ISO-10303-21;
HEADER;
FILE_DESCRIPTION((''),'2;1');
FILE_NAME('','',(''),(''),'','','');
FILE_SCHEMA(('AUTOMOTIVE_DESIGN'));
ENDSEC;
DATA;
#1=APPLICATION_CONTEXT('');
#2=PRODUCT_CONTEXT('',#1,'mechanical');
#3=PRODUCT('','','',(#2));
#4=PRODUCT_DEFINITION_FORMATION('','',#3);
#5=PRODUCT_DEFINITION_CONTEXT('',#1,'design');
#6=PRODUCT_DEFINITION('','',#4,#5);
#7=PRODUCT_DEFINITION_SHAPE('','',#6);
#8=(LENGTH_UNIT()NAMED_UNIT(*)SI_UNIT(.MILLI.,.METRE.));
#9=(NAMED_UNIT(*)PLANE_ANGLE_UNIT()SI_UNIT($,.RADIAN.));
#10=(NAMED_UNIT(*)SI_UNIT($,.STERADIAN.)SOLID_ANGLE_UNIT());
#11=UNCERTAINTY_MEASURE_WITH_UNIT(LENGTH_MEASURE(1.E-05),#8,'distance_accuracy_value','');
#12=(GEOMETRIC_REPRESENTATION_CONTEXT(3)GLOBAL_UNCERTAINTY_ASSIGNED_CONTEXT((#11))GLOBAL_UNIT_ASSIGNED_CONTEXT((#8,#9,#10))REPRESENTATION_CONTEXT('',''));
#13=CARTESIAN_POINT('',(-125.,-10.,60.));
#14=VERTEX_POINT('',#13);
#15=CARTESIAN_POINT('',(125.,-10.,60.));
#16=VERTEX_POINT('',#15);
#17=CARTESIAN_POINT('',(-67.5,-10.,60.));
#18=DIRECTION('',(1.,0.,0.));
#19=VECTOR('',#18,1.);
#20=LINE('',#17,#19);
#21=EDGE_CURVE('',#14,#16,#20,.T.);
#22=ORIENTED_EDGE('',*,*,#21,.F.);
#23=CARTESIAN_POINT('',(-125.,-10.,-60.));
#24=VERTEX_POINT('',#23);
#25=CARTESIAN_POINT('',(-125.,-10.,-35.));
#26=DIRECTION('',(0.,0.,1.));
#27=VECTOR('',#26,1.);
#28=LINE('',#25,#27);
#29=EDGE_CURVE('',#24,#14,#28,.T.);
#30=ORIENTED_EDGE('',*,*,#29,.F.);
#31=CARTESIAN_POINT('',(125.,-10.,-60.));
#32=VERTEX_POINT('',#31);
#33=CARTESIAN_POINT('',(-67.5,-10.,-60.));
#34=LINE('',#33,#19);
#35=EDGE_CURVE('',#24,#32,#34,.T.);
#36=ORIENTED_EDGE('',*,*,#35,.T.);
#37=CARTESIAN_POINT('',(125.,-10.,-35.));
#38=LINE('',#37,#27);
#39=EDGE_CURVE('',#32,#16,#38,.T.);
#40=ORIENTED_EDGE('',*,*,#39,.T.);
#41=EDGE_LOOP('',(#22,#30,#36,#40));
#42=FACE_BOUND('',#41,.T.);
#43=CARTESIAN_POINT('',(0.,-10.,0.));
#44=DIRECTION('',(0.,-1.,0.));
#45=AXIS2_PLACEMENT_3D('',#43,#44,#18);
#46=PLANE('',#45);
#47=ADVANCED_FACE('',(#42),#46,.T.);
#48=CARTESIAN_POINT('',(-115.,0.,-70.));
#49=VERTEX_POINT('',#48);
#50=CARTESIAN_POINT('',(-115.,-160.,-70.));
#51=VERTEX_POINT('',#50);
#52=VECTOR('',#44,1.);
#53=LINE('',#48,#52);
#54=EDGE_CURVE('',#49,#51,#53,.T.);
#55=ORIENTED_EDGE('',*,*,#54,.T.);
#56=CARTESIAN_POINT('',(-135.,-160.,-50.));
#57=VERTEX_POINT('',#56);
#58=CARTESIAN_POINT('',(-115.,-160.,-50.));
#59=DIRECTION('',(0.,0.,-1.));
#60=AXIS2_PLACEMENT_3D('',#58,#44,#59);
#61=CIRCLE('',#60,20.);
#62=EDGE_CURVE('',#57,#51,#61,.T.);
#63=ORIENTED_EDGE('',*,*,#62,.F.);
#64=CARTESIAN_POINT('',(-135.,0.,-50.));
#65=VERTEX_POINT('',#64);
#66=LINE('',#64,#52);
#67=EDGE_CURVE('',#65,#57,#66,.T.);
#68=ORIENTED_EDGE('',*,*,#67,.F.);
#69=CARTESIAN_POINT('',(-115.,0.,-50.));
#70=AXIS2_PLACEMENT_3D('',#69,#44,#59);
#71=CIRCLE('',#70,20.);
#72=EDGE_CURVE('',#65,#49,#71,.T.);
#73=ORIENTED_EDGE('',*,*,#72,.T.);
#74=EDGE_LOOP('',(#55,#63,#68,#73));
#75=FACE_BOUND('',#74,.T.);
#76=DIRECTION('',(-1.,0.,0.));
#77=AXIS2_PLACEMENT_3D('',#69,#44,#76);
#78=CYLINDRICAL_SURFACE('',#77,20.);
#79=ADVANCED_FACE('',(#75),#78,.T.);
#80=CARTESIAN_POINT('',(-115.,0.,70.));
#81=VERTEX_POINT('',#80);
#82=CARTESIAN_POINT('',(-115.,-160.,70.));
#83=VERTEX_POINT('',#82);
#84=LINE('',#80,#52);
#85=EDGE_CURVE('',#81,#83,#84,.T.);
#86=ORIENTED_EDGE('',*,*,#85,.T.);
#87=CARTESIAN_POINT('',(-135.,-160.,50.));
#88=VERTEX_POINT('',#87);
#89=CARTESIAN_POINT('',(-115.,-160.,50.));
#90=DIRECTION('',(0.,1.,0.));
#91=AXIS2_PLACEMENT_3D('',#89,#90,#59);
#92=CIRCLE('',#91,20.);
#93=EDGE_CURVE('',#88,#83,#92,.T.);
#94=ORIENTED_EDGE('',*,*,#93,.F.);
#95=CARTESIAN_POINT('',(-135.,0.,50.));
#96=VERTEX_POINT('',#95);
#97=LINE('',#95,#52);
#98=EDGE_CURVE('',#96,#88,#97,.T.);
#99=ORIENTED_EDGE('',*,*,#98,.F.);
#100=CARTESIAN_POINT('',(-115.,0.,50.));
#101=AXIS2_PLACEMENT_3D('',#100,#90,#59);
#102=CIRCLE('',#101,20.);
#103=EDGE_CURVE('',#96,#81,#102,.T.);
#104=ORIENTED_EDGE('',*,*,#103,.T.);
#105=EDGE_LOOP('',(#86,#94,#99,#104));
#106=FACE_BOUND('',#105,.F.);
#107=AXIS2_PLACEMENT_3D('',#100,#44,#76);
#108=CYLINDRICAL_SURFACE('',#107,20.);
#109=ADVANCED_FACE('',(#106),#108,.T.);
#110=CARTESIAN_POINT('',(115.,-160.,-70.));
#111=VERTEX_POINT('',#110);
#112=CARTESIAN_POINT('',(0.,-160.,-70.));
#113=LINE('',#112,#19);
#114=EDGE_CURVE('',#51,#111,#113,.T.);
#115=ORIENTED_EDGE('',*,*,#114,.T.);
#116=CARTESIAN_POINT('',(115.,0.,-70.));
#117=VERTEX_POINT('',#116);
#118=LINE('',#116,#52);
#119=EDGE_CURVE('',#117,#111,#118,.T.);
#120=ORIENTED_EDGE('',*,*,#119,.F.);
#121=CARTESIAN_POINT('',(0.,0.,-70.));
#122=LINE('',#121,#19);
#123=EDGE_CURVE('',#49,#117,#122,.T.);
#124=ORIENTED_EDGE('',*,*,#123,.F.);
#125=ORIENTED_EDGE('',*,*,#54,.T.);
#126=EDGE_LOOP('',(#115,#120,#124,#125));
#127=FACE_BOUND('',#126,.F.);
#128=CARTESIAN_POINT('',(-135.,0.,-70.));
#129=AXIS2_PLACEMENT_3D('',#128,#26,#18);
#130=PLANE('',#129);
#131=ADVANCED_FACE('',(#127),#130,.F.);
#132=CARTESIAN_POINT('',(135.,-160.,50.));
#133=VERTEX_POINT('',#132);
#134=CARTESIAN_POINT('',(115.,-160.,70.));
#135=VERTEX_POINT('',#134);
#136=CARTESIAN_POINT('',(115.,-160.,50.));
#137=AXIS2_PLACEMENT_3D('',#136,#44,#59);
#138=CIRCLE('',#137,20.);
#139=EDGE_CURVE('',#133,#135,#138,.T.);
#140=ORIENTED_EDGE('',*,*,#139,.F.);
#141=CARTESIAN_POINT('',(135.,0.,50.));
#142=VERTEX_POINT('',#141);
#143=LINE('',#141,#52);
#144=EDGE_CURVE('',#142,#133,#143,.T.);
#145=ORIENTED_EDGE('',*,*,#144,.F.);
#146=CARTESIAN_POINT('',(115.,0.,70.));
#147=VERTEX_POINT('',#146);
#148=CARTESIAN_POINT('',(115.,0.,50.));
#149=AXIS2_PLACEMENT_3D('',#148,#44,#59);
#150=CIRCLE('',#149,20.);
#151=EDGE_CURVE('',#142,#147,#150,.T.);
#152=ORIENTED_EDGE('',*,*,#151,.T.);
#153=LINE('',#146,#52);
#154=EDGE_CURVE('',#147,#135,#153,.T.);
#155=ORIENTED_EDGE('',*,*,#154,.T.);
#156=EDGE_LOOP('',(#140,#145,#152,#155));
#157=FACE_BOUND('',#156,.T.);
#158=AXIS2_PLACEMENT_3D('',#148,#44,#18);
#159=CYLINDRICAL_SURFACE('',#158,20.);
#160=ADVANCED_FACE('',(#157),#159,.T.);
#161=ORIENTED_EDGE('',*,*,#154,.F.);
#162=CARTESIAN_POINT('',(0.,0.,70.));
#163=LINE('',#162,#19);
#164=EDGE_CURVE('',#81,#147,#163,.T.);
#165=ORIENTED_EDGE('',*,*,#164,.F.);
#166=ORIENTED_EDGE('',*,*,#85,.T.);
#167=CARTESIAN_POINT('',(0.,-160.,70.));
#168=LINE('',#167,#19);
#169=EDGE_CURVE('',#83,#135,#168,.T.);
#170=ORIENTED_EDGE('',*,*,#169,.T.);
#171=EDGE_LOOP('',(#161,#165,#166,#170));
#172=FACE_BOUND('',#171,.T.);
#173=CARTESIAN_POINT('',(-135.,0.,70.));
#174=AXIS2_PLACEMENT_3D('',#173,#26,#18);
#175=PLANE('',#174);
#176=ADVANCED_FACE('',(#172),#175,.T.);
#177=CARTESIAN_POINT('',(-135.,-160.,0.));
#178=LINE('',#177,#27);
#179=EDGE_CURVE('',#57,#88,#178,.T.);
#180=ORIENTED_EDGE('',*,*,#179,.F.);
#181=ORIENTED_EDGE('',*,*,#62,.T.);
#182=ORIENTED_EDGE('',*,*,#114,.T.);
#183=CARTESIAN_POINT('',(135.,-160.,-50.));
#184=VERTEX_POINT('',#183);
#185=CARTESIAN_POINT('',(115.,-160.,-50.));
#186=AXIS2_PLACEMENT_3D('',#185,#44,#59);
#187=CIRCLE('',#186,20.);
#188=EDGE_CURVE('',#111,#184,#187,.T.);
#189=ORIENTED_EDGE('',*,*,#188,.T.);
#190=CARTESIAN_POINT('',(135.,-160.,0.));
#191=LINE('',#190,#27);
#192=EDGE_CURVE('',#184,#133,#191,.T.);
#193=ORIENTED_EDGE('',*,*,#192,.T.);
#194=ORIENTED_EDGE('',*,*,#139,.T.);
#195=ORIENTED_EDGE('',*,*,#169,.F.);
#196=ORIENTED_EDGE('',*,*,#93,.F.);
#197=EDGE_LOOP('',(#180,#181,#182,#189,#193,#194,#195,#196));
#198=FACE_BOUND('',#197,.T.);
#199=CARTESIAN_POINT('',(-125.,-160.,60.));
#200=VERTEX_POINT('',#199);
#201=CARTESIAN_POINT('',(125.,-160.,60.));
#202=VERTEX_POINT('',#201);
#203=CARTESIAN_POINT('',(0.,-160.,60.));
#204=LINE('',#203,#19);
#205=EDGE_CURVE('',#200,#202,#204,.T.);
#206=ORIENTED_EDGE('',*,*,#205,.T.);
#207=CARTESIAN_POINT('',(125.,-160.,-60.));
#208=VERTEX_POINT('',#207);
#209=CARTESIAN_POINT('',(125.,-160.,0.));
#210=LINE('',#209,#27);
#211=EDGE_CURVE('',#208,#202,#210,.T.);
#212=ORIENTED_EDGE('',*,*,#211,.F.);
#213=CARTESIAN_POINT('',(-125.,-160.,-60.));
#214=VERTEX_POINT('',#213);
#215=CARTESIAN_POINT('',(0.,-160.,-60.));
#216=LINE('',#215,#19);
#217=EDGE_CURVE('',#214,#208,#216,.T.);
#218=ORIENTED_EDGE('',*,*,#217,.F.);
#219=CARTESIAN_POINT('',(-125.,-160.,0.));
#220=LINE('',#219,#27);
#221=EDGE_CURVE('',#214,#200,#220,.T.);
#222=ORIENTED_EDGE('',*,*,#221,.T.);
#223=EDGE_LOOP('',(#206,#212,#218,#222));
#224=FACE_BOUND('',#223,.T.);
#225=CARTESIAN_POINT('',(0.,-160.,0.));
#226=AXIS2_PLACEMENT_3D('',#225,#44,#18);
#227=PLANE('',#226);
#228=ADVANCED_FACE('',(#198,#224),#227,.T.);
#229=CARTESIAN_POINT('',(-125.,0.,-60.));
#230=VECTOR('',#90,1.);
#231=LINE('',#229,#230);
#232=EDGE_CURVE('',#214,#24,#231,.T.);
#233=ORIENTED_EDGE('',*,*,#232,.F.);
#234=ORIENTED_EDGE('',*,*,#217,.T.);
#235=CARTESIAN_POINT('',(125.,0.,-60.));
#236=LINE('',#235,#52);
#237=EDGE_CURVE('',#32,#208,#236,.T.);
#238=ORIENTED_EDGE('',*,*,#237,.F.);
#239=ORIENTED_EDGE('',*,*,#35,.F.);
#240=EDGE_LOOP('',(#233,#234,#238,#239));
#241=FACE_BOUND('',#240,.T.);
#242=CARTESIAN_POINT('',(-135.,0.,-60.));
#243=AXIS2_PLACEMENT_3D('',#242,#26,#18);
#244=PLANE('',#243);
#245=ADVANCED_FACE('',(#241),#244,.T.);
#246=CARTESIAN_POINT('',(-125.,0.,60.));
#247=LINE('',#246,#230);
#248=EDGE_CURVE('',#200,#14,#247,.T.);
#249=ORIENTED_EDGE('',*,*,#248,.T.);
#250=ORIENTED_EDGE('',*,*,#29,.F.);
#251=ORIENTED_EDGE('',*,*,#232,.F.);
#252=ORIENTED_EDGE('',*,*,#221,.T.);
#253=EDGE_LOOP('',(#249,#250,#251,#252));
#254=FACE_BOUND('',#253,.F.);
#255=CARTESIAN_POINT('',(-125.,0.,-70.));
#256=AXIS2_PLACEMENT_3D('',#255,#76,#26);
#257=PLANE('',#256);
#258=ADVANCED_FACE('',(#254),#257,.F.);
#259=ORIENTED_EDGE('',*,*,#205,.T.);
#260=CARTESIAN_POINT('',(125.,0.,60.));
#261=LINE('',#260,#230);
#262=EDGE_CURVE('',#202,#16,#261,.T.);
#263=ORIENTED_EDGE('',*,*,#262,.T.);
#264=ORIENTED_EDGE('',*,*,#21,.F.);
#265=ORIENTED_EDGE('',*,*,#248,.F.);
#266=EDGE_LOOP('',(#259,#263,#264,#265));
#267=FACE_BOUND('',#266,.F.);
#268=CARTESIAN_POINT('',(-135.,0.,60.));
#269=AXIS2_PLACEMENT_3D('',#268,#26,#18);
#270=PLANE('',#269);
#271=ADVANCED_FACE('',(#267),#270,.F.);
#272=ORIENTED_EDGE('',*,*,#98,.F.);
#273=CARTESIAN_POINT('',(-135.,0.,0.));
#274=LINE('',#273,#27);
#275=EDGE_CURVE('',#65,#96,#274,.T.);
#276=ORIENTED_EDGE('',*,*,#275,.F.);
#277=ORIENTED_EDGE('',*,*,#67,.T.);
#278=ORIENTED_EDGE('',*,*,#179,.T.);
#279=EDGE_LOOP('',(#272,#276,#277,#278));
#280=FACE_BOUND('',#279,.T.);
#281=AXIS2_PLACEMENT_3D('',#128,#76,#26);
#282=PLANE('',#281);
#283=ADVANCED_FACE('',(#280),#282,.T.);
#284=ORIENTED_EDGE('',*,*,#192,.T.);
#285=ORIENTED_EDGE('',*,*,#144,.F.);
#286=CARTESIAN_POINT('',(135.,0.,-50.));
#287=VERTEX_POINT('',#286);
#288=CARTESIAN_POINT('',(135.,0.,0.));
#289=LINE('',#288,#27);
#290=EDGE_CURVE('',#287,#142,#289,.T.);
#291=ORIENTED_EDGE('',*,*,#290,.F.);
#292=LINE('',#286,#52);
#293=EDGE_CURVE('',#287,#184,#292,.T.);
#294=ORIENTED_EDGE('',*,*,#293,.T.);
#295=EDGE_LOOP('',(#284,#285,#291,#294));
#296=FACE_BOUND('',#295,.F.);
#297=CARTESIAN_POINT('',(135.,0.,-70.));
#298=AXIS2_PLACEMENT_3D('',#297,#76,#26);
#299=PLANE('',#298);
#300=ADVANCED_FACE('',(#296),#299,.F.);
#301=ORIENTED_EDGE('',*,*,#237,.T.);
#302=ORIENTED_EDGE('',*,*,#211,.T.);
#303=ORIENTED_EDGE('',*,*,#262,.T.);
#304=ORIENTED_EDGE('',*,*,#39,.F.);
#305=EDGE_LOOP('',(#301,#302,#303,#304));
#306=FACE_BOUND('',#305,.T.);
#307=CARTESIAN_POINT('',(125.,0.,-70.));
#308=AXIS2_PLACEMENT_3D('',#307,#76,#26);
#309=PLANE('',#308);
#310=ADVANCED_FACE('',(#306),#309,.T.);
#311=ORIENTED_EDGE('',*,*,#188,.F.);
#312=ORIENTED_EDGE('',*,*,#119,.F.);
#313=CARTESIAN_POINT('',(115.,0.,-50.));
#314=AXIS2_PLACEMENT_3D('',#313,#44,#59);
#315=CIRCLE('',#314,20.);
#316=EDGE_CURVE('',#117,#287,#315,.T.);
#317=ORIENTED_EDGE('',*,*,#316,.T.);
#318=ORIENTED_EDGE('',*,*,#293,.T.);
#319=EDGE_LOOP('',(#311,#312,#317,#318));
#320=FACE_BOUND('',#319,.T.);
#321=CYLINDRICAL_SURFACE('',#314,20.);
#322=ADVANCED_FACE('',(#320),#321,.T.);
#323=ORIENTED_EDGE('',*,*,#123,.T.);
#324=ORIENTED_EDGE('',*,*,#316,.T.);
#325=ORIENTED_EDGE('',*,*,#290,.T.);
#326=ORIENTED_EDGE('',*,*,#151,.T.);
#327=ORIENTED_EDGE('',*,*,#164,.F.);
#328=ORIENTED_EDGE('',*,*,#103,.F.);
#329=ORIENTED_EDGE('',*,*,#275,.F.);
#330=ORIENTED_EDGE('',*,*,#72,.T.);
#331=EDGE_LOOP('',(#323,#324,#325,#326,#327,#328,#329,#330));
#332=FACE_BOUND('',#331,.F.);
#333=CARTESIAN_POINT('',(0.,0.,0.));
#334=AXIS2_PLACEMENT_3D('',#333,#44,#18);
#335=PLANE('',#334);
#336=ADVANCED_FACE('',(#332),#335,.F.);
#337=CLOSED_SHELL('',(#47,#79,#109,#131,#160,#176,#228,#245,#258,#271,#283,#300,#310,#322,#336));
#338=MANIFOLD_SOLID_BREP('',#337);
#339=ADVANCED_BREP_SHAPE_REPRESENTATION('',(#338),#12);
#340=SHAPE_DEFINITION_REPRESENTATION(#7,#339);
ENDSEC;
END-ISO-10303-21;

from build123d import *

# Parameters (mm, degrees)
F0_W     = 270
F0_H     = 140
F1_DEPTH = 160
F2_T     = -10
F3_R     = 20


with BuildPart() as f1:
    # F0 (on Front) → F1 (new body)
    with BuildSketch(Plane.XZ):
        Rectangle(F0_W, F0_H)
    extrude(amount=F1_DEPTH)

    # F2
    f2_openings = [f1.faces().sort_by_distance(p)[0] for p in [
        (0, -160, 0),
    ]]
    offset(amount=F2_T, openings=f2_openings)

    # F3
    f3_edges = [f1.edges().sort_by_distance(p)[0] for p in [
        (-135, -80, 70),
        (135, -80, -70),
        (135, -80, 70),
        (-135, -80, -70),
    ]]
    fillet(f3_edges, radius=F3_R)


solid = f1.part
